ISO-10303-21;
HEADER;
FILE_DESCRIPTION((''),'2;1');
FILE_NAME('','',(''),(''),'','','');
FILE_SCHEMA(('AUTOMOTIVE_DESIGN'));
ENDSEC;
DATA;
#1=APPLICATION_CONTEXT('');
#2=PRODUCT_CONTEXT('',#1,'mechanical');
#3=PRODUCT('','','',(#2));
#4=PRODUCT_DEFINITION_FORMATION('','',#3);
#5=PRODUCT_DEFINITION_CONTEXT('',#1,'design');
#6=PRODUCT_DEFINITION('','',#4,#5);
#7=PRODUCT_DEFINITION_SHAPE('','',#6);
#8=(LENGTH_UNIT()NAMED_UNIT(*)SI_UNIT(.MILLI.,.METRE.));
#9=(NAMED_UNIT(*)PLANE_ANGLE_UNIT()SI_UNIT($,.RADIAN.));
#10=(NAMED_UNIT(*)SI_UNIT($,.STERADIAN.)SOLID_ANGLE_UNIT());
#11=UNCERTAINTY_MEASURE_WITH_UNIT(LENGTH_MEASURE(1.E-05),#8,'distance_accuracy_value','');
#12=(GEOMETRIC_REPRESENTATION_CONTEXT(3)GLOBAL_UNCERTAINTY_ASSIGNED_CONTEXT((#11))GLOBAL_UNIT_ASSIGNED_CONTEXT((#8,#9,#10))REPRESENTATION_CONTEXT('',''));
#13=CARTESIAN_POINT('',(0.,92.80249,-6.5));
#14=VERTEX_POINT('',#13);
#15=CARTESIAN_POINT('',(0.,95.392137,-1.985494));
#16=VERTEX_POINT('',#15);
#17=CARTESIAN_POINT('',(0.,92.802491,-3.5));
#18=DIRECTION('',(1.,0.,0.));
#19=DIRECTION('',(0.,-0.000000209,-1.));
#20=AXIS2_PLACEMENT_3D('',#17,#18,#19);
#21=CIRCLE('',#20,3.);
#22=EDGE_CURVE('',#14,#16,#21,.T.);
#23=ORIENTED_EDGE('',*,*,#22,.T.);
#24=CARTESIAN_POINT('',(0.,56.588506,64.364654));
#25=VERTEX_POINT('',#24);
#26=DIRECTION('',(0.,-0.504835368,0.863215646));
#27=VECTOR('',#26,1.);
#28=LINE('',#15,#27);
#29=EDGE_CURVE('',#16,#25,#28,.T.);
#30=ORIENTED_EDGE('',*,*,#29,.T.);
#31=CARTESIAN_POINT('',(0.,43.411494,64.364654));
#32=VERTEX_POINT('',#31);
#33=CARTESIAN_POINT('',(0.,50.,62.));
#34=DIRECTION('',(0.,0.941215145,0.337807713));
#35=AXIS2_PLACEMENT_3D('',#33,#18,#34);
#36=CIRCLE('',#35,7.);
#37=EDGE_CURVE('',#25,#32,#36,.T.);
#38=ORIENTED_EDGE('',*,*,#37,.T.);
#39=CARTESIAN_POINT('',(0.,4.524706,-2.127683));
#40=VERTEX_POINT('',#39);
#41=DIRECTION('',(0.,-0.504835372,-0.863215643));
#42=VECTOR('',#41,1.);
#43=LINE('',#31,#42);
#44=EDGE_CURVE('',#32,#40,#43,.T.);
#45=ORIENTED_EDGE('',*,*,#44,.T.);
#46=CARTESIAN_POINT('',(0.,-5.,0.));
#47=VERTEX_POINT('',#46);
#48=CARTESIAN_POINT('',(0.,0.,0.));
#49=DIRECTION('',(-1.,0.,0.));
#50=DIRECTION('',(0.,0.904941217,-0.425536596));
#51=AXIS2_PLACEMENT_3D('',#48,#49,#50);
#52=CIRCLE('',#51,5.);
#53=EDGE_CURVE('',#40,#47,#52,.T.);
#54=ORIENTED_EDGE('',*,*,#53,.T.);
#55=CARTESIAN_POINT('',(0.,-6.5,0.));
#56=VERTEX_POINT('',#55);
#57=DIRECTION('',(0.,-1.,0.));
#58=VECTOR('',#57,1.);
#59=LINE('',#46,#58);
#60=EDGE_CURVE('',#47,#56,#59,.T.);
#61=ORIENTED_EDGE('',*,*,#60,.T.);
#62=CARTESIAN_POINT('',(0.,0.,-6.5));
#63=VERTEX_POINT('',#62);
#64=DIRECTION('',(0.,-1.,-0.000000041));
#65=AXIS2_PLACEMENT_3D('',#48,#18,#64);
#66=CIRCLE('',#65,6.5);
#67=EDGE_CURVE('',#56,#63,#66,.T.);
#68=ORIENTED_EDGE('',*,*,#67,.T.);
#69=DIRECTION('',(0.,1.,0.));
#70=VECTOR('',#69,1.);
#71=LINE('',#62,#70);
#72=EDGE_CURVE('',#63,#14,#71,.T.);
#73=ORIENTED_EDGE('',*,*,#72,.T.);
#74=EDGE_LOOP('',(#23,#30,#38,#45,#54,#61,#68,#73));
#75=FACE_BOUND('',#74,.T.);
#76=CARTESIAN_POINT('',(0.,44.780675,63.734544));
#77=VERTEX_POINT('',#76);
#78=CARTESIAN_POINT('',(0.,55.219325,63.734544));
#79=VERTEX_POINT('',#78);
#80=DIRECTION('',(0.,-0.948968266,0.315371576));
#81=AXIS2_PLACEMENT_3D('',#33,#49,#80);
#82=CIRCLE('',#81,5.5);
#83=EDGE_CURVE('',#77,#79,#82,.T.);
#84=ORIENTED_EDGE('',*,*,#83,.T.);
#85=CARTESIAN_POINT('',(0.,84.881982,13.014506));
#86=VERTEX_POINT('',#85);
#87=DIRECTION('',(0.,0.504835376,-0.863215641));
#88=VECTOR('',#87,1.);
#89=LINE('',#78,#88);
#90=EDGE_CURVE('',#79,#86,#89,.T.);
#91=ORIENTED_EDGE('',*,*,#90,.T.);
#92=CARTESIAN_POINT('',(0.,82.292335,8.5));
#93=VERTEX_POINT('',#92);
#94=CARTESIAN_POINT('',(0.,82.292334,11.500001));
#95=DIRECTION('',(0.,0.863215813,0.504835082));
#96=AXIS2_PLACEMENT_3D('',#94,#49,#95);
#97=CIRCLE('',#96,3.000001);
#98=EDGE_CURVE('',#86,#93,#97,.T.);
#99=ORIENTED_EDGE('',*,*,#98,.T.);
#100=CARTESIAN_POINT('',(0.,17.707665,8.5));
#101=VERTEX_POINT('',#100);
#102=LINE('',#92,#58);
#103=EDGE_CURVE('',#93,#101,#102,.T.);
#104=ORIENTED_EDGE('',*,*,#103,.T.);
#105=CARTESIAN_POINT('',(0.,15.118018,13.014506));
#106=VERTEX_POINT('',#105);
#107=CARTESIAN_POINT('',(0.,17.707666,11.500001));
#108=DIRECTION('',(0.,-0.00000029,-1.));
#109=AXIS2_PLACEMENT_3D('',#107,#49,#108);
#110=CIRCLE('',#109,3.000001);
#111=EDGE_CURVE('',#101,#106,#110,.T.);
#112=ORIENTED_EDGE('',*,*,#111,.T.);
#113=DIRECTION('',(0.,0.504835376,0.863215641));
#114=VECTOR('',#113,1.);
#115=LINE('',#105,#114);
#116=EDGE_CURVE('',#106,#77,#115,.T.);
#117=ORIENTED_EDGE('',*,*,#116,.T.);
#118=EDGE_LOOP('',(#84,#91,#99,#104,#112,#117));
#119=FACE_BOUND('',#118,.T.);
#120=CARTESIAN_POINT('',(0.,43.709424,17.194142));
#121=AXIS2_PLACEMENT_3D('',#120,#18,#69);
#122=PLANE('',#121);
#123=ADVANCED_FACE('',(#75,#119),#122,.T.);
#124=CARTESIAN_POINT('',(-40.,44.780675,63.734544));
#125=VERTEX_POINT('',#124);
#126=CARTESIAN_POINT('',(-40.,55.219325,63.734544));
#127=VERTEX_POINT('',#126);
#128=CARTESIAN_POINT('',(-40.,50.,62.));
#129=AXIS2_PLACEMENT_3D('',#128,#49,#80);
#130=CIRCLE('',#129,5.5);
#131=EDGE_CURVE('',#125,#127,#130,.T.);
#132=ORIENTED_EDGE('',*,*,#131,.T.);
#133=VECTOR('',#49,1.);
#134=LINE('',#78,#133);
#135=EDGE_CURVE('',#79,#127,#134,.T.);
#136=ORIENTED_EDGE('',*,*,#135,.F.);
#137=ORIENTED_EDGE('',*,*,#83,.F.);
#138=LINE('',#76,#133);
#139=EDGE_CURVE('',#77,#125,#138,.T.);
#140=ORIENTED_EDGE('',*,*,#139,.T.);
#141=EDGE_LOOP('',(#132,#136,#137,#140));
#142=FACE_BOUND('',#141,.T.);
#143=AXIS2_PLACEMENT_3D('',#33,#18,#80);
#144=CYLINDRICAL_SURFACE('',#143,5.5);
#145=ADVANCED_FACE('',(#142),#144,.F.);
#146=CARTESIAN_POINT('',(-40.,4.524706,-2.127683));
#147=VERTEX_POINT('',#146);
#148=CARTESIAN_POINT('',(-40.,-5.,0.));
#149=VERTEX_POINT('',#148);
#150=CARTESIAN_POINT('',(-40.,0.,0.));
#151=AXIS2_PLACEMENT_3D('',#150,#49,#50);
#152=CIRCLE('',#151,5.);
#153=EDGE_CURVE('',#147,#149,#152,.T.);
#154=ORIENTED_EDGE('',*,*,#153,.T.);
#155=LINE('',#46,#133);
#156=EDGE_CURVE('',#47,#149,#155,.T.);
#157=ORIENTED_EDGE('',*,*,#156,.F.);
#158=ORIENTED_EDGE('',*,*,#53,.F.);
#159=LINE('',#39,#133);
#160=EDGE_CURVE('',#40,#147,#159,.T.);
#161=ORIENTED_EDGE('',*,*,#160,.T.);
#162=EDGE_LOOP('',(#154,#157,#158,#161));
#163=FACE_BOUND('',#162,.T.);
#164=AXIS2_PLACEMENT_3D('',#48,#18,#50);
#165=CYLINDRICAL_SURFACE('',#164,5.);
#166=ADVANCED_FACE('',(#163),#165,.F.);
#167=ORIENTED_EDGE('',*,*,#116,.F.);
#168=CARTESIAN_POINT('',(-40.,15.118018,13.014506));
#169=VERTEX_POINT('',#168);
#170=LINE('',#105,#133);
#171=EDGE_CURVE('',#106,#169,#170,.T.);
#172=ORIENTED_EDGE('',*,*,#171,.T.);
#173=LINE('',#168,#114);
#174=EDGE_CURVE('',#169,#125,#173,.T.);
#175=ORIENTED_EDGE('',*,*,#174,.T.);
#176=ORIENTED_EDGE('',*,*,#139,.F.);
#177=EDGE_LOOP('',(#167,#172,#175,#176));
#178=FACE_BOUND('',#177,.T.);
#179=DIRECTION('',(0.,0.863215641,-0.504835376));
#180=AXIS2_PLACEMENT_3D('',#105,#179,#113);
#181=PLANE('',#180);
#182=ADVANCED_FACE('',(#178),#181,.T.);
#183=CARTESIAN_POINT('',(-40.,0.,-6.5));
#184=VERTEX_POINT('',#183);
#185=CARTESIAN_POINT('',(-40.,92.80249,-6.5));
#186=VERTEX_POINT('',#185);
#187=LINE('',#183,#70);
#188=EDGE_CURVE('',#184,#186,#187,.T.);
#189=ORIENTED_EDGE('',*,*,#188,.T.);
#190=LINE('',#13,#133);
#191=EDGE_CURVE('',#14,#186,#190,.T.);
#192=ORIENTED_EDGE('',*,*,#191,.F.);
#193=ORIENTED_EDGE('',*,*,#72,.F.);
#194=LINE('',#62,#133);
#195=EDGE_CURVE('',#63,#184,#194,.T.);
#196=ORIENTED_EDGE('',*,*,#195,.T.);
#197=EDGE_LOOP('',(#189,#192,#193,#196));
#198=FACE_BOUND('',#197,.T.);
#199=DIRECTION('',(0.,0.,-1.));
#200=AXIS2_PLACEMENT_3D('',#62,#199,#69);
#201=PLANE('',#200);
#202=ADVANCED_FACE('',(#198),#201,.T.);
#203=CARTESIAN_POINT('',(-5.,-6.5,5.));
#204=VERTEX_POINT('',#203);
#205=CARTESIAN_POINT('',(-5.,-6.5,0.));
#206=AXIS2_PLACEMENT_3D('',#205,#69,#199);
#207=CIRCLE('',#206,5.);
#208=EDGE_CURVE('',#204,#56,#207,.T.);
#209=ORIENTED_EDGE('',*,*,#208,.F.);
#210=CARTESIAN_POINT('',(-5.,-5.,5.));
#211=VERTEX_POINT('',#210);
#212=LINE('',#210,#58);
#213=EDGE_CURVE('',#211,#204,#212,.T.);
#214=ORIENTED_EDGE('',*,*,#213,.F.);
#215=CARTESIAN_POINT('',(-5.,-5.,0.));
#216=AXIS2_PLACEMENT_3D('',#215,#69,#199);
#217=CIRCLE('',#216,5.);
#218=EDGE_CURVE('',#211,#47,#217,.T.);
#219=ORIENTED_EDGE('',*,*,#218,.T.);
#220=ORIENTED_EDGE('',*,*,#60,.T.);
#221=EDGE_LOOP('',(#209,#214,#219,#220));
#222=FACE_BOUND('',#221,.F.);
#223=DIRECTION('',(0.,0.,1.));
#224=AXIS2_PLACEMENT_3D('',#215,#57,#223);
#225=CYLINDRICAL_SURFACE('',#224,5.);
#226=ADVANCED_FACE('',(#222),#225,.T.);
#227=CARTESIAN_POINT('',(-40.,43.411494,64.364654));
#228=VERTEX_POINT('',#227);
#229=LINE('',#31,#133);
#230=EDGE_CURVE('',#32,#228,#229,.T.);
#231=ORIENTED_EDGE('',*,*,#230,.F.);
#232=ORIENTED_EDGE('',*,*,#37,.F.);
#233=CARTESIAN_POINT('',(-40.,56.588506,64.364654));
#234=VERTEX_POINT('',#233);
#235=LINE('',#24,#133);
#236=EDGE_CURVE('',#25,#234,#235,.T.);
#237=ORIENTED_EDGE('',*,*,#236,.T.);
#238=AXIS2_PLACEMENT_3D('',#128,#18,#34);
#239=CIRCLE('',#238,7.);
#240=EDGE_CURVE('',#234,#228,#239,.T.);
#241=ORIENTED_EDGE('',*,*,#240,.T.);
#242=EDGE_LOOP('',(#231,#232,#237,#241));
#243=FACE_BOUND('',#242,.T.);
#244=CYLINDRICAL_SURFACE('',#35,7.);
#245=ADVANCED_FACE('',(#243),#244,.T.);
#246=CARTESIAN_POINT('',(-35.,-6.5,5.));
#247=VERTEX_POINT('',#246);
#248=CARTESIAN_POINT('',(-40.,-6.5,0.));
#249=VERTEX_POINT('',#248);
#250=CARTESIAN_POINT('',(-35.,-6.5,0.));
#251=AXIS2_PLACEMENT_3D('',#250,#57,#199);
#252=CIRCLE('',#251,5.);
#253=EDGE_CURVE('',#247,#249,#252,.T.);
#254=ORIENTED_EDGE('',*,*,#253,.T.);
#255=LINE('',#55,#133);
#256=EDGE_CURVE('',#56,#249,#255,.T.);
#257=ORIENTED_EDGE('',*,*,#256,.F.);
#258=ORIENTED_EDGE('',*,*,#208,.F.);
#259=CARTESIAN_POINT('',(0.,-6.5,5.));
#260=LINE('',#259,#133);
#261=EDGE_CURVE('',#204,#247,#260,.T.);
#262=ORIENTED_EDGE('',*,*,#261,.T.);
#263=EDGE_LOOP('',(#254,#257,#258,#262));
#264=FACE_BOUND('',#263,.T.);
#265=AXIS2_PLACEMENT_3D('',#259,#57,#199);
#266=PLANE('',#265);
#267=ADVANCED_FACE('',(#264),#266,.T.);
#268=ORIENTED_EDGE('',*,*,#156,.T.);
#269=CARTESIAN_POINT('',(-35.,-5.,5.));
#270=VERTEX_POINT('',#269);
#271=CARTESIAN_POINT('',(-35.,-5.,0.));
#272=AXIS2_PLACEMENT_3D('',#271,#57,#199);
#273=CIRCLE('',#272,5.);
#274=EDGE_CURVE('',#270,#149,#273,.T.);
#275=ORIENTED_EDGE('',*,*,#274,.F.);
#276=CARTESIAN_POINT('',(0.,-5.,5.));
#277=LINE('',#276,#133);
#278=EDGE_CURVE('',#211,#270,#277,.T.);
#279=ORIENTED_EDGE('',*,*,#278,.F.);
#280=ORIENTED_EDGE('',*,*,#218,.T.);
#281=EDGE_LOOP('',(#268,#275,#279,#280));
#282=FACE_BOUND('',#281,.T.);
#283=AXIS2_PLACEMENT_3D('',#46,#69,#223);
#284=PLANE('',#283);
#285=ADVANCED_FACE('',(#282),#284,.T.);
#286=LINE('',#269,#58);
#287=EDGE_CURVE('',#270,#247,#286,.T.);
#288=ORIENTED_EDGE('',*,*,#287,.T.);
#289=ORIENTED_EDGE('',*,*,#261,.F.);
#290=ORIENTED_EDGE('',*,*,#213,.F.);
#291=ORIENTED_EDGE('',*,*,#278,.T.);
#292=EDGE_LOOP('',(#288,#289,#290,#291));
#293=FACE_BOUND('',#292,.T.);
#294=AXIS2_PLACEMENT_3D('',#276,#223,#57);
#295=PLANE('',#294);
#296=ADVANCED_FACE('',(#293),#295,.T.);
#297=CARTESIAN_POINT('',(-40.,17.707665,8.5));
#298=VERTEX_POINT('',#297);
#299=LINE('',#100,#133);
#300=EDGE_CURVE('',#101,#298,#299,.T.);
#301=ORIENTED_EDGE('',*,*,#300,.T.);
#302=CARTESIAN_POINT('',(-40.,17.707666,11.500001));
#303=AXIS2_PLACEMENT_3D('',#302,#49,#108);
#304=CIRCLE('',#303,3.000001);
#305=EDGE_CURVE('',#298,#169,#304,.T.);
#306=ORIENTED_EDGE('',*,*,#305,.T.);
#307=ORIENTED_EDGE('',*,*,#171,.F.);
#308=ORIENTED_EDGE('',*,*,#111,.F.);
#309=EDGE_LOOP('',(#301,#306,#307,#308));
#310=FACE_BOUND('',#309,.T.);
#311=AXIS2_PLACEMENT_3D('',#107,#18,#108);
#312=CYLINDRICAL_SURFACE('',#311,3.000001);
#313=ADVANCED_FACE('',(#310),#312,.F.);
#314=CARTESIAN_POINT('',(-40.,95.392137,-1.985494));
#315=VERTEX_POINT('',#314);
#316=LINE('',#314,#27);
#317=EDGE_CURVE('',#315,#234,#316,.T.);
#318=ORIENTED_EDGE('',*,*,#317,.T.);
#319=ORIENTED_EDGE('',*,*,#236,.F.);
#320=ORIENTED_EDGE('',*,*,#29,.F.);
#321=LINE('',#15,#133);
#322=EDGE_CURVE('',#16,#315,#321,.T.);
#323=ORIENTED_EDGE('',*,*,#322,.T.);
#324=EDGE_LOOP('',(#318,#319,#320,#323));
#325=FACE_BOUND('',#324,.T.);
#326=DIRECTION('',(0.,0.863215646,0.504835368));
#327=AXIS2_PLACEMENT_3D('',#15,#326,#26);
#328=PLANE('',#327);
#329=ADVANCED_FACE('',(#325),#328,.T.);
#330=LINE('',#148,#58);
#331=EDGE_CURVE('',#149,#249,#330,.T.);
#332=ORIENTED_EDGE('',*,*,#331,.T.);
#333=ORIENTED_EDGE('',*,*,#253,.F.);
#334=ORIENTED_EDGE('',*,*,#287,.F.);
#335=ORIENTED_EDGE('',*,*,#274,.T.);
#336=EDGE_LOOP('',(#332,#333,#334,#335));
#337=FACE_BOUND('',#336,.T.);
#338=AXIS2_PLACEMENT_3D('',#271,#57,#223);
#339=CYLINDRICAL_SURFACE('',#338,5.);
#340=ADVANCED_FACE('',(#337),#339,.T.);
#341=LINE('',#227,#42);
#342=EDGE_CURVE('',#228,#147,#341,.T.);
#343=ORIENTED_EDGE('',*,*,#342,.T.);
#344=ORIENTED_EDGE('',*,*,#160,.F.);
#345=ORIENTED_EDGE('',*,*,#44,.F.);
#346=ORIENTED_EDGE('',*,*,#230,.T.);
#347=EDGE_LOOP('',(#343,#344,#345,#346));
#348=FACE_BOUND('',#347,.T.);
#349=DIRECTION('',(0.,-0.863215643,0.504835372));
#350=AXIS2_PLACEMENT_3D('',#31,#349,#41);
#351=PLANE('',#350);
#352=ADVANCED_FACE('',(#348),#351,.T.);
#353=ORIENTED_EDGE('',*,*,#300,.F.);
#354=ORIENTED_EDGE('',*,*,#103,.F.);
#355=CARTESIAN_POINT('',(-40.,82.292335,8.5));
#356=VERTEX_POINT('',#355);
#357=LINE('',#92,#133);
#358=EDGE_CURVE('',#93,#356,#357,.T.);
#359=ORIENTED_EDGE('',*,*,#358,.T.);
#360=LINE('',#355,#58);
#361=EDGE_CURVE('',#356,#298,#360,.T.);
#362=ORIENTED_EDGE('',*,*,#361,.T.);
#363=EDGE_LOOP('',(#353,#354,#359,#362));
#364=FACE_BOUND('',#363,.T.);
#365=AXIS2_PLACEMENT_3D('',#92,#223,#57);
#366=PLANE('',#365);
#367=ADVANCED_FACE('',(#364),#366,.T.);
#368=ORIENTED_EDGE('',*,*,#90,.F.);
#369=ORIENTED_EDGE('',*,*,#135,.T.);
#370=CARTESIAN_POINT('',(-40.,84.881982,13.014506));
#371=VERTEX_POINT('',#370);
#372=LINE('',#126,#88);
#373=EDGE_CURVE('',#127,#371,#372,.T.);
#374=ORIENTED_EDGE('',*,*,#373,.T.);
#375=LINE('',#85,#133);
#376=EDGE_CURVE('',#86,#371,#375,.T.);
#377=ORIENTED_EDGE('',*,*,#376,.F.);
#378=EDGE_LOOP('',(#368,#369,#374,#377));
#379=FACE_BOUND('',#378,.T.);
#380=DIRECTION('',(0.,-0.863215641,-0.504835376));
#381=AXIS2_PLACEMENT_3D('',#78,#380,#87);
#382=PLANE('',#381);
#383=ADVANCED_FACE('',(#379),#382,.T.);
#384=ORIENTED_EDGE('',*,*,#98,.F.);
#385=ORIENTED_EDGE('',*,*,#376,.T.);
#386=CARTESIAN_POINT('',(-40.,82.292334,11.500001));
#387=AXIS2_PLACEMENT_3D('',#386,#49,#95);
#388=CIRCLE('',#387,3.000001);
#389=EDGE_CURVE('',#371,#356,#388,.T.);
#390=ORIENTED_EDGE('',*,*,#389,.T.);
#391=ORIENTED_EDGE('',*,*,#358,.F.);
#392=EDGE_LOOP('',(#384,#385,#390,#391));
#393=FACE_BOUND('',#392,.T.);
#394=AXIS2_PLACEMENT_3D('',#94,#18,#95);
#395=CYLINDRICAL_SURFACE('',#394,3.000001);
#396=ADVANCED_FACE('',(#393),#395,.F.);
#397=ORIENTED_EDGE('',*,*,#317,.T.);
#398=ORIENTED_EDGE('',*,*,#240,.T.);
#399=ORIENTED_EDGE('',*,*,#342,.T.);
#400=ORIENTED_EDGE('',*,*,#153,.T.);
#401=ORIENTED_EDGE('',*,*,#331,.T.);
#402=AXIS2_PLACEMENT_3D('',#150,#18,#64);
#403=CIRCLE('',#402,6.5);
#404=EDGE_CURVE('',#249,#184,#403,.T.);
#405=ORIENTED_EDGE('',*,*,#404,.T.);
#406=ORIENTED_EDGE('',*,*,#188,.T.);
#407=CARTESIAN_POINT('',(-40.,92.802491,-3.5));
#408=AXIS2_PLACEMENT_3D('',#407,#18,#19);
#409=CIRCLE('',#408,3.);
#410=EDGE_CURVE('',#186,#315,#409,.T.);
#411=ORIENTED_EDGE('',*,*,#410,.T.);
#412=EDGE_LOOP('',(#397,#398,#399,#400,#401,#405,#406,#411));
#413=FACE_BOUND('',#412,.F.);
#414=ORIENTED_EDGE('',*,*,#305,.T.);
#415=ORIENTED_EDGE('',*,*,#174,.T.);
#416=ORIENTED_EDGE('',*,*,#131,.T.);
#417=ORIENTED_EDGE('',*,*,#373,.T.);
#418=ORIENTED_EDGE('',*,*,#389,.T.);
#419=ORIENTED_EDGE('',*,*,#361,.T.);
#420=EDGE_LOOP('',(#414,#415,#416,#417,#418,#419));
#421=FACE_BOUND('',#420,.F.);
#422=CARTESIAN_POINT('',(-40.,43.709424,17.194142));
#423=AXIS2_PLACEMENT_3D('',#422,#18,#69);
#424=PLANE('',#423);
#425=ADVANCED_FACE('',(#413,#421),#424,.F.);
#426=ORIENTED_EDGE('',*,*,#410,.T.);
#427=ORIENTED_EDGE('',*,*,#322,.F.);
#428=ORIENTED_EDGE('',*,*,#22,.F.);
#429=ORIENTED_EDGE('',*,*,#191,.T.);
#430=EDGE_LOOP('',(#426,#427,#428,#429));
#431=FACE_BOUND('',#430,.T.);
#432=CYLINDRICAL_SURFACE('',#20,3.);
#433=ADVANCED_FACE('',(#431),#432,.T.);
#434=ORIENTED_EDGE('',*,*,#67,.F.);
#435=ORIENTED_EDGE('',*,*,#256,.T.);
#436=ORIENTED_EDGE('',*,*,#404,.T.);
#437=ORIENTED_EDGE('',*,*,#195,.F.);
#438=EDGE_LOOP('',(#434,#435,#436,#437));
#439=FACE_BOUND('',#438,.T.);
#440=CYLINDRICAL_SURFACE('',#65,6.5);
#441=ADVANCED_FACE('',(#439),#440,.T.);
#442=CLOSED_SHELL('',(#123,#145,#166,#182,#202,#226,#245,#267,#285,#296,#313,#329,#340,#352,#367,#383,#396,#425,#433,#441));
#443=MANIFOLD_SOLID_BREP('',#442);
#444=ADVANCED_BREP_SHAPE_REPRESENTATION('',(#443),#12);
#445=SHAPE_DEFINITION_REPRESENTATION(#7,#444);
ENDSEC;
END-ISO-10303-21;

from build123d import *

# Parameters (mm, degrees)
F1_DEPTH = 40
F2_R     = 5


with BuildPart() as f1:
    # F0 (on Right) → F1 (new body)
    with BuildSketch(Plane.YZ):
        with BuildLine():
            Line((-6.5, 5), (-6.5, 0))
            ThreePointArc((-6.5, 0), (-4.596194, -4.596194), (0, -6.5))
            Line((0, -6.5), (50, -6.5))
            Line((50, -6.5), (92.80249, -6.5))
            ThreePointArc((92.80249, -6.5), (95.404751, -4.992729), (95.392137, -1.985494))
            Line((95.392137, -1.985494), (56.588506, 64.364654))
            ThreePointArc((56.588506, 64.364654), (50, 69), (43.411494, 64.364654))
            Line((43.411494, 64.364654), (4.524706, -2.127683))
            ThreePointArc((4.524706, -2.127683), (-1.090062, -4.87973), (-5, 0))
            Line((-5, 0), (-5, 5))
            Line((-5, 5), (-6.5, 5))
        make_face()
        with BuildLine():
            Line((82.292335, 8.5), (50, 8.5))
            Line((50, 8.5), (17.707665, 8.5))
            ThreePointArc((17.707665, 8.5), (15.105405, 10.007271), (15.118018, 13.014506))
            Line((15.118018, 13.014506), (44.780675, 63.734544))
            ThreePointArc((44.780675, 63.734544), (50, 67.5), (55.219325, 63.734544))
            Line((55.219325, 63.734544), (84.881982, 13.014506))
            ThreePointArc((84.881982, 13.014506), (84.894595, 10.007271), (82.292335, 8.5))
        make_face(mode=Mode.SUBTRACT)
    extrude(amount=-F1_DEPTH)

    # F2
    f2_edges = [f1.edges().sort_by_distance(p)[0] for p in [
        (0, -5.75, 5),
        (-40, -5.75, 5),
    ]]
    fillet(f2_edges, radius=F2_R)


solid = f1.part
